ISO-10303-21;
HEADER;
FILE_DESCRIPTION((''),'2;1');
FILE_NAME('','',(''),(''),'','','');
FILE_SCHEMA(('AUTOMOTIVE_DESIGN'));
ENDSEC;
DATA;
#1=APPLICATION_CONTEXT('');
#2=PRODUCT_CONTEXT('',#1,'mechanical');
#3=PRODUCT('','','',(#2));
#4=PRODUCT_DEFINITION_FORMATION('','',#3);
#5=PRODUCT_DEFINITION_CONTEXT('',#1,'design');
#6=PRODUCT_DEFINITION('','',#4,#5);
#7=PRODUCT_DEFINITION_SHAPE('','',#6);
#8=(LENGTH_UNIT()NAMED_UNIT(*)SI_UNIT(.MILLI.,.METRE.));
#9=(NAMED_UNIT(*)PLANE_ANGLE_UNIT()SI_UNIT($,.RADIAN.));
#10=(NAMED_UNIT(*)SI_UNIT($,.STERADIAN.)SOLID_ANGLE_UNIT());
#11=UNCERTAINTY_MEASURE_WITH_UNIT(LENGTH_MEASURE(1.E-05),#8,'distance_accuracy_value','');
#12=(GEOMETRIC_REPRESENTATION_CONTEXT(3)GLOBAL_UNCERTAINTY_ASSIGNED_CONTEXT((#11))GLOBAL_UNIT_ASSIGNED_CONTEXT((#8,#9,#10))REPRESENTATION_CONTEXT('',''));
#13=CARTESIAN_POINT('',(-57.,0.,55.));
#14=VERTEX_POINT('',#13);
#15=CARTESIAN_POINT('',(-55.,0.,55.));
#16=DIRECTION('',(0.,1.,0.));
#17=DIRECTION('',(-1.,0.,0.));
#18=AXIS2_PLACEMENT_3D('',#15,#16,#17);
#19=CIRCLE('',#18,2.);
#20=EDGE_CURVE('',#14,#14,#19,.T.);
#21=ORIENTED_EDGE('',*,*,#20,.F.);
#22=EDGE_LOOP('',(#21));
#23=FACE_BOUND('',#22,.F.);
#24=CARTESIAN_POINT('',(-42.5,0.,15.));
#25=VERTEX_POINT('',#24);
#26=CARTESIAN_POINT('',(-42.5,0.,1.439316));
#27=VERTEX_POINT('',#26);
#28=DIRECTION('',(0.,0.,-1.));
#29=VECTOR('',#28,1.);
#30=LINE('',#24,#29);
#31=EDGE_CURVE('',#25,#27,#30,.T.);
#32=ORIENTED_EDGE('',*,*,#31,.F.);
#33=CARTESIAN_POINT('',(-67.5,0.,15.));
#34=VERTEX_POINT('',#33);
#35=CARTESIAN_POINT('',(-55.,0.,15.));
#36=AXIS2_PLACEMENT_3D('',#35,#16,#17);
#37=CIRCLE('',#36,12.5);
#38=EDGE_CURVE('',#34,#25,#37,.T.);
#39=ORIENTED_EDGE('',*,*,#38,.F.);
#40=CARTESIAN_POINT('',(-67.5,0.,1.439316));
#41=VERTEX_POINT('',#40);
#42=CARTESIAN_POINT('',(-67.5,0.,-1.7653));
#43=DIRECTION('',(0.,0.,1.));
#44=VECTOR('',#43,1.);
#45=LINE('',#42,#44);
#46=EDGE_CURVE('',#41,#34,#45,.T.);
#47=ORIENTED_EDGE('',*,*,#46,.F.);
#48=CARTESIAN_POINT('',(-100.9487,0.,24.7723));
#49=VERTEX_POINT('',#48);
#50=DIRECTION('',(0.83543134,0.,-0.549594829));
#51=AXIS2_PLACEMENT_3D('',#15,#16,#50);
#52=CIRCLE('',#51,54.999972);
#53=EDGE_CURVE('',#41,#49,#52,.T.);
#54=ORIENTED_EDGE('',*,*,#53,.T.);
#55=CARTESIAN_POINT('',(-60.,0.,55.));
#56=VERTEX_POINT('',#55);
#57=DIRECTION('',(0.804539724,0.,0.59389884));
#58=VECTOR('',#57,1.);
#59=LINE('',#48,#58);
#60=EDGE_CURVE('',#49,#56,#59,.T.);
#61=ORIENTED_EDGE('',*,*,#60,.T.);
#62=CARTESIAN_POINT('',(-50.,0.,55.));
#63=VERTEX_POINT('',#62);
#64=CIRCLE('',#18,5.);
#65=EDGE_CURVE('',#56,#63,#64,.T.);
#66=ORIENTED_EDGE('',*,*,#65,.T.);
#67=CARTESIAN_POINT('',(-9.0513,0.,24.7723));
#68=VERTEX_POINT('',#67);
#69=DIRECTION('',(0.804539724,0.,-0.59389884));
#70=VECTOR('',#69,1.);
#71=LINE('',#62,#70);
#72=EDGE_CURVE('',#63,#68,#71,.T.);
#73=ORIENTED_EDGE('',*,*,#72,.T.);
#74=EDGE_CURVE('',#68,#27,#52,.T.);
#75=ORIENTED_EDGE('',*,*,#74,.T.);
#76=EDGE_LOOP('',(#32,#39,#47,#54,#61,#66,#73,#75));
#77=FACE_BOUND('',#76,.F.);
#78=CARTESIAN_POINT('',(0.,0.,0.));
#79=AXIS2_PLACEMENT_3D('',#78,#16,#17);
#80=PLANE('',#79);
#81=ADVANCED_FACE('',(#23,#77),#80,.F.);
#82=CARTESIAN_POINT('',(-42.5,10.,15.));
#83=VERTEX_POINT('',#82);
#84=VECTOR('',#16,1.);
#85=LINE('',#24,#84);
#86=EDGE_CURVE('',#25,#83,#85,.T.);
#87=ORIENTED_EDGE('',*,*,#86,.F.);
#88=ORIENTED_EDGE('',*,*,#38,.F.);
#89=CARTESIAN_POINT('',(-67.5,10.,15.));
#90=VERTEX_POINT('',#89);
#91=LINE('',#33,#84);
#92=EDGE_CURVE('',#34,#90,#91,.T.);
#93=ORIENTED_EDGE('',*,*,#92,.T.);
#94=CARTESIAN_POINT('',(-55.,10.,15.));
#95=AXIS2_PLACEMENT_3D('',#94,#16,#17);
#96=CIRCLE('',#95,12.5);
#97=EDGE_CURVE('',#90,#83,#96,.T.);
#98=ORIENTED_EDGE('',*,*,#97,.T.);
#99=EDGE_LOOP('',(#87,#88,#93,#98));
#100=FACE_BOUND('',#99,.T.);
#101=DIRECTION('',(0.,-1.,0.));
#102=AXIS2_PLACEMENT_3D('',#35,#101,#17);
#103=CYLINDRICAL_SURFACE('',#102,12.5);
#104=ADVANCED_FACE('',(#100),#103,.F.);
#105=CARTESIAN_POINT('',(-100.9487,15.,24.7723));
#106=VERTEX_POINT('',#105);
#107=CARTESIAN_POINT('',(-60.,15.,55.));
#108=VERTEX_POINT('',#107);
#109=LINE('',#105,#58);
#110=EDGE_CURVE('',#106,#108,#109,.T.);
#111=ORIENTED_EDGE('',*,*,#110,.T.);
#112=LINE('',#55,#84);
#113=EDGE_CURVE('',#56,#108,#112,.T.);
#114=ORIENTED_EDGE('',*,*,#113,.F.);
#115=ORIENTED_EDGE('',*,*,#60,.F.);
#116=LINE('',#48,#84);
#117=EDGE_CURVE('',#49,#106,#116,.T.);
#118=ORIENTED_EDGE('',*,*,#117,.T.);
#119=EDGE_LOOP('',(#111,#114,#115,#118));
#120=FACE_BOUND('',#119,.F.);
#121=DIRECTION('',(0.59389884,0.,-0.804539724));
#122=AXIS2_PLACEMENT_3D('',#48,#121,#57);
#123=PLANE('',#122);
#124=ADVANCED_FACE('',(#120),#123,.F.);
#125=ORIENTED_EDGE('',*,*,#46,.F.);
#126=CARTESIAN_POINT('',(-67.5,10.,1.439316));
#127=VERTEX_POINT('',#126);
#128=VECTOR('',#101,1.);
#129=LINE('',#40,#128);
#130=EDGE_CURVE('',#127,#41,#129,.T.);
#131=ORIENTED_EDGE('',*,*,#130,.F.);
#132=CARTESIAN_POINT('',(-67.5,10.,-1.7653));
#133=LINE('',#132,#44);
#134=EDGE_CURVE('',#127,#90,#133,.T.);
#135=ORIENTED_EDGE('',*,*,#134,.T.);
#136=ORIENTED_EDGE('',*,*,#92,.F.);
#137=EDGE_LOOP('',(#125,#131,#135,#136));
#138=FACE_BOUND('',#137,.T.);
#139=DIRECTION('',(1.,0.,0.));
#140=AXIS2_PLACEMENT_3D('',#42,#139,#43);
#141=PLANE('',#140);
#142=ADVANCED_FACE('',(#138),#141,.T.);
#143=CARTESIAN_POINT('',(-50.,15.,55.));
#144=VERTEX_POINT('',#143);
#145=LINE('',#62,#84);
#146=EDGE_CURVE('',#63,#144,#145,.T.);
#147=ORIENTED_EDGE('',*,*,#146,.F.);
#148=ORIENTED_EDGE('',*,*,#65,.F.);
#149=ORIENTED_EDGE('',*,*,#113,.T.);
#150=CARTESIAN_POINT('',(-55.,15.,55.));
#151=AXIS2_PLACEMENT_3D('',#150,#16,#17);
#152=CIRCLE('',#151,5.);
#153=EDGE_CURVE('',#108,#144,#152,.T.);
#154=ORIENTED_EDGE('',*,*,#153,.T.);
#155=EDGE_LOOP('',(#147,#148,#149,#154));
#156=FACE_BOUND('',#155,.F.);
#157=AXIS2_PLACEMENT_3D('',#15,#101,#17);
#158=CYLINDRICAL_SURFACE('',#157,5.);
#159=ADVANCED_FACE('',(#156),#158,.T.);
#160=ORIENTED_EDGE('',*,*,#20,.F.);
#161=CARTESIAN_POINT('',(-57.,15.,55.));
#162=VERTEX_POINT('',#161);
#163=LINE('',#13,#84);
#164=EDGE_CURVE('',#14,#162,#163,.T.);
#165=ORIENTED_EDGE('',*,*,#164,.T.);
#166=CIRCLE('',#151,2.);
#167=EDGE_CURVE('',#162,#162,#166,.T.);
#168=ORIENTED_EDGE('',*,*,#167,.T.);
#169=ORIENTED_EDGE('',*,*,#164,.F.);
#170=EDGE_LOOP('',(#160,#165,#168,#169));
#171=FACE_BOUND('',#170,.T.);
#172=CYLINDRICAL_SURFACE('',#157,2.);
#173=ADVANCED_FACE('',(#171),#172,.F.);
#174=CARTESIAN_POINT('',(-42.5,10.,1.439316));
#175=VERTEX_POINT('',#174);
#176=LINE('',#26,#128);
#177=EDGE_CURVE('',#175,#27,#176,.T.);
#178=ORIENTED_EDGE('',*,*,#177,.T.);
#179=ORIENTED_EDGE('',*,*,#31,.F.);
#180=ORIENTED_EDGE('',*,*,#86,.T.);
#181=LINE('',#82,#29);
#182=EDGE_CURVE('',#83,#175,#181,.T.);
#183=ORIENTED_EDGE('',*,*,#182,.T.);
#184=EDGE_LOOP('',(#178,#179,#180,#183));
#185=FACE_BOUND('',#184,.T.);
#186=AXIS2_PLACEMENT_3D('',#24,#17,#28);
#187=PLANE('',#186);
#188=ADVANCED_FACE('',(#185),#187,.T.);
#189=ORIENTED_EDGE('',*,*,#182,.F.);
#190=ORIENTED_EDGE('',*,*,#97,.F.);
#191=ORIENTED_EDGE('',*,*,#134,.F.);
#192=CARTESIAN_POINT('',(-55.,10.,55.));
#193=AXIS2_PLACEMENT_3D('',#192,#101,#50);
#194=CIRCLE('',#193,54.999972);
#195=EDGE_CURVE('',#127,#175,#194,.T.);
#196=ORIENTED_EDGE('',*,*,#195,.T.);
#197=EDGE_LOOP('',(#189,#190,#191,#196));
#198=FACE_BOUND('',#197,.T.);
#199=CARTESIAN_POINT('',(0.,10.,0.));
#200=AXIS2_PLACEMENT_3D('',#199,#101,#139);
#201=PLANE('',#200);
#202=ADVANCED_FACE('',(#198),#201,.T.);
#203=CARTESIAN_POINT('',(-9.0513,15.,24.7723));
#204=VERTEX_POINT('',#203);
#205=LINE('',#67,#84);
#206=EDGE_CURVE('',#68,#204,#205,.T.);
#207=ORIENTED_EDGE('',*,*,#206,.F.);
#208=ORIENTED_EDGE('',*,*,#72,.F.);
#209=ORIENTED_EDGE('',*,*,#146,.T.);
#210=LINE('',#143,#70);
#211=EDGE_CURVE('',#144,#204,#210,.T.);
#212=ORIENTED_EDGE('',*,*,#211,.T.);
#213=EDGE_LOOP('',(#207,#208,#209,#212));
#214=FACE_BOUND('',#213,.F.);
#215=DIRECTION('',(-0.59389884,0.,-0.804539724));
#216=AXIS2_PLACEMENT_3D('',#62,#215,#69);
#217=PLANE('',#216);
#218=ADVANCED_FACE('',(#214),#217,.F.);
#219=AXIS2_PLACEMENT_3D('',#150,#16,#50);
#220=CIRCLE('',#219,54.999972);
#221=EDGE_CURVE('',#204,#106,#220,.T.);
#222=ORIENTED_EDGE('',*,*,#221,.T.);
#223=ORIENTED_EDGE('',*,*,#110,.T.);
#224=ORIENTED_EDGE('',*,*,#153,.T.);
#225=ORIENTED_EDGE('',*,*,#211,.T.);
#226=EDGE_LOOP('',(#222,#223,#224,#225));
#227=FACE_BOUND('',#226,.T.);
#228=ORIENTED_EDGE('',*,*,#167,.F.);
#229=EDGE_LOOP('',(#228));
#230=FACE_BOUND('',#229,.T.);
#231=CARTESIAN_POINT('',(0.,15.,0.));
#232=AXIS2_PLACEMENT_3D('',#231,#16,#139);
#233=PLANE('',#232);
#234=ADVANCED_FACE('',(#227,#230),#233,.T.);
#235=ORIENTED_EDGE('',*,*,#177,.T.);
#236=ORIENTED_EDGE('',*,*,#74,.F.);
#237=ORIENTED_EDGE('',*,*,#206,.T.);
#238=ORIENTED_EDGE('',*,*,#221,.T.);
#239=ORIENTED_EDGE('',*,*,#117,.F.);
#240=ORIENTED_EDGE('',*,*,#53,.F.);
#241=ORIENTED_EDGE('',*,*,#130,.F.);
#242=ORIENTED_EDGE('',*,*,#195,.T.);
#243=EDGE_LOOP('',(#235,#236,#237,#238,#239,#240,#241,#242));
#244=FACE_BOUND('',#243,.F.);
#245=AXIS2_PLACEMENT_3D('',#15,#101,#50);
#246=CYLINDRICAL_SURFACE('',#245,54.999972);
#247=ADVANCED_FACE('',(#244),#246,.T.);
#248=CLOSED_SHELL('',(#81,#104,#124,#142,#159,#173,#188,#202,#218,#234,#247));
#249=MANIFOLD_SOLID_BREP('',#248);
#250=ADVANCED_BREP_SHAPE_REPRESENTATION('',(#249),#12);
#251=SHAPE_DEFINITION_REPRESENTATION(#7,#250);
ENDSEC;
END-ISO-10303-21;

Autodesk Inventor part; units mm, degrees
ref_plane "YZ Plane" through (0, 0, 0) normal (1, 0, 0) x (0, 1, 0)
ref_plane "XZ Plane" through (0, 0, 0) normal (0, 1, 0) x (-1, 0, 0)
ref_plane "XY Plane" through (0, 0, 0) normal (0, 0, 1) x (1, 0, 0)
sketch "スケッチ1" plane through (0, 0, 0) normal (0, 1, 0) x (-1, 0, 0)
  arc A0 (9.0513, 24.7723) -> (100.9487, 24.7723) centre (55, 55) ccw
  circle A1 centre (55, 15) radius 12.5
  arc A2 (60, 55) -> (50, 55) centre (55, 55) ccw
  circle A3 centre (55, 55) radius 2
  arc A4 (9.0513, 24.7723) -> (100.9487, 24.7723) centre (55, 55) ccw
  line L0 (100.9487, 24.7723) -> (60, 55)
  line L1 (50, 55) -> (9.0513, 24.7723)
  circle A5 centre (55, 55) radius 5
  arc A6 (60, 55) -> (50, 55) centre (55, 55) ccw
  point P0 (0, 0)
extrude "押し出し1" add sketch "スケッチ1" along normal blind 15
sketch "スケッチ2" plane through (0, 15, 0) normal (0, 1, 0) x (1, 0, 0)
  circle A0 centre (-55, -15) radius 12.5 projected
  circle A1 centre (-55, -15) radius 12.5
  point P0 (0, 0)
extrude "押し出し2" add sketch "スケッチ2" against normal blind 5
sketch "スケッチ3" plane through (0, 0, 0) normal (0, -1, 0) x (1, 0, 0)
  circle A0 centre (-55, 15) radius 12.5 projected
  line L0 (-67.5, 15) -> (-42.5, 15)
  line L1 (-42.5, 15) -> (-42.5, -1.7653)
  line L2 (-42.5, -1.7653) -> (-67.5, -1.7653)
  line L3 (-67.5, -1.7653) -> (-67.5, 15)
  point P0 (0, 0)
extrude "押し出し3" cut sketch "スケッチ3" against normal blind 10 contours L1 L2 L3 A0 | A0 L0 picked at (-57.3669, 11.5709)
properties part number "R_kit_test"
